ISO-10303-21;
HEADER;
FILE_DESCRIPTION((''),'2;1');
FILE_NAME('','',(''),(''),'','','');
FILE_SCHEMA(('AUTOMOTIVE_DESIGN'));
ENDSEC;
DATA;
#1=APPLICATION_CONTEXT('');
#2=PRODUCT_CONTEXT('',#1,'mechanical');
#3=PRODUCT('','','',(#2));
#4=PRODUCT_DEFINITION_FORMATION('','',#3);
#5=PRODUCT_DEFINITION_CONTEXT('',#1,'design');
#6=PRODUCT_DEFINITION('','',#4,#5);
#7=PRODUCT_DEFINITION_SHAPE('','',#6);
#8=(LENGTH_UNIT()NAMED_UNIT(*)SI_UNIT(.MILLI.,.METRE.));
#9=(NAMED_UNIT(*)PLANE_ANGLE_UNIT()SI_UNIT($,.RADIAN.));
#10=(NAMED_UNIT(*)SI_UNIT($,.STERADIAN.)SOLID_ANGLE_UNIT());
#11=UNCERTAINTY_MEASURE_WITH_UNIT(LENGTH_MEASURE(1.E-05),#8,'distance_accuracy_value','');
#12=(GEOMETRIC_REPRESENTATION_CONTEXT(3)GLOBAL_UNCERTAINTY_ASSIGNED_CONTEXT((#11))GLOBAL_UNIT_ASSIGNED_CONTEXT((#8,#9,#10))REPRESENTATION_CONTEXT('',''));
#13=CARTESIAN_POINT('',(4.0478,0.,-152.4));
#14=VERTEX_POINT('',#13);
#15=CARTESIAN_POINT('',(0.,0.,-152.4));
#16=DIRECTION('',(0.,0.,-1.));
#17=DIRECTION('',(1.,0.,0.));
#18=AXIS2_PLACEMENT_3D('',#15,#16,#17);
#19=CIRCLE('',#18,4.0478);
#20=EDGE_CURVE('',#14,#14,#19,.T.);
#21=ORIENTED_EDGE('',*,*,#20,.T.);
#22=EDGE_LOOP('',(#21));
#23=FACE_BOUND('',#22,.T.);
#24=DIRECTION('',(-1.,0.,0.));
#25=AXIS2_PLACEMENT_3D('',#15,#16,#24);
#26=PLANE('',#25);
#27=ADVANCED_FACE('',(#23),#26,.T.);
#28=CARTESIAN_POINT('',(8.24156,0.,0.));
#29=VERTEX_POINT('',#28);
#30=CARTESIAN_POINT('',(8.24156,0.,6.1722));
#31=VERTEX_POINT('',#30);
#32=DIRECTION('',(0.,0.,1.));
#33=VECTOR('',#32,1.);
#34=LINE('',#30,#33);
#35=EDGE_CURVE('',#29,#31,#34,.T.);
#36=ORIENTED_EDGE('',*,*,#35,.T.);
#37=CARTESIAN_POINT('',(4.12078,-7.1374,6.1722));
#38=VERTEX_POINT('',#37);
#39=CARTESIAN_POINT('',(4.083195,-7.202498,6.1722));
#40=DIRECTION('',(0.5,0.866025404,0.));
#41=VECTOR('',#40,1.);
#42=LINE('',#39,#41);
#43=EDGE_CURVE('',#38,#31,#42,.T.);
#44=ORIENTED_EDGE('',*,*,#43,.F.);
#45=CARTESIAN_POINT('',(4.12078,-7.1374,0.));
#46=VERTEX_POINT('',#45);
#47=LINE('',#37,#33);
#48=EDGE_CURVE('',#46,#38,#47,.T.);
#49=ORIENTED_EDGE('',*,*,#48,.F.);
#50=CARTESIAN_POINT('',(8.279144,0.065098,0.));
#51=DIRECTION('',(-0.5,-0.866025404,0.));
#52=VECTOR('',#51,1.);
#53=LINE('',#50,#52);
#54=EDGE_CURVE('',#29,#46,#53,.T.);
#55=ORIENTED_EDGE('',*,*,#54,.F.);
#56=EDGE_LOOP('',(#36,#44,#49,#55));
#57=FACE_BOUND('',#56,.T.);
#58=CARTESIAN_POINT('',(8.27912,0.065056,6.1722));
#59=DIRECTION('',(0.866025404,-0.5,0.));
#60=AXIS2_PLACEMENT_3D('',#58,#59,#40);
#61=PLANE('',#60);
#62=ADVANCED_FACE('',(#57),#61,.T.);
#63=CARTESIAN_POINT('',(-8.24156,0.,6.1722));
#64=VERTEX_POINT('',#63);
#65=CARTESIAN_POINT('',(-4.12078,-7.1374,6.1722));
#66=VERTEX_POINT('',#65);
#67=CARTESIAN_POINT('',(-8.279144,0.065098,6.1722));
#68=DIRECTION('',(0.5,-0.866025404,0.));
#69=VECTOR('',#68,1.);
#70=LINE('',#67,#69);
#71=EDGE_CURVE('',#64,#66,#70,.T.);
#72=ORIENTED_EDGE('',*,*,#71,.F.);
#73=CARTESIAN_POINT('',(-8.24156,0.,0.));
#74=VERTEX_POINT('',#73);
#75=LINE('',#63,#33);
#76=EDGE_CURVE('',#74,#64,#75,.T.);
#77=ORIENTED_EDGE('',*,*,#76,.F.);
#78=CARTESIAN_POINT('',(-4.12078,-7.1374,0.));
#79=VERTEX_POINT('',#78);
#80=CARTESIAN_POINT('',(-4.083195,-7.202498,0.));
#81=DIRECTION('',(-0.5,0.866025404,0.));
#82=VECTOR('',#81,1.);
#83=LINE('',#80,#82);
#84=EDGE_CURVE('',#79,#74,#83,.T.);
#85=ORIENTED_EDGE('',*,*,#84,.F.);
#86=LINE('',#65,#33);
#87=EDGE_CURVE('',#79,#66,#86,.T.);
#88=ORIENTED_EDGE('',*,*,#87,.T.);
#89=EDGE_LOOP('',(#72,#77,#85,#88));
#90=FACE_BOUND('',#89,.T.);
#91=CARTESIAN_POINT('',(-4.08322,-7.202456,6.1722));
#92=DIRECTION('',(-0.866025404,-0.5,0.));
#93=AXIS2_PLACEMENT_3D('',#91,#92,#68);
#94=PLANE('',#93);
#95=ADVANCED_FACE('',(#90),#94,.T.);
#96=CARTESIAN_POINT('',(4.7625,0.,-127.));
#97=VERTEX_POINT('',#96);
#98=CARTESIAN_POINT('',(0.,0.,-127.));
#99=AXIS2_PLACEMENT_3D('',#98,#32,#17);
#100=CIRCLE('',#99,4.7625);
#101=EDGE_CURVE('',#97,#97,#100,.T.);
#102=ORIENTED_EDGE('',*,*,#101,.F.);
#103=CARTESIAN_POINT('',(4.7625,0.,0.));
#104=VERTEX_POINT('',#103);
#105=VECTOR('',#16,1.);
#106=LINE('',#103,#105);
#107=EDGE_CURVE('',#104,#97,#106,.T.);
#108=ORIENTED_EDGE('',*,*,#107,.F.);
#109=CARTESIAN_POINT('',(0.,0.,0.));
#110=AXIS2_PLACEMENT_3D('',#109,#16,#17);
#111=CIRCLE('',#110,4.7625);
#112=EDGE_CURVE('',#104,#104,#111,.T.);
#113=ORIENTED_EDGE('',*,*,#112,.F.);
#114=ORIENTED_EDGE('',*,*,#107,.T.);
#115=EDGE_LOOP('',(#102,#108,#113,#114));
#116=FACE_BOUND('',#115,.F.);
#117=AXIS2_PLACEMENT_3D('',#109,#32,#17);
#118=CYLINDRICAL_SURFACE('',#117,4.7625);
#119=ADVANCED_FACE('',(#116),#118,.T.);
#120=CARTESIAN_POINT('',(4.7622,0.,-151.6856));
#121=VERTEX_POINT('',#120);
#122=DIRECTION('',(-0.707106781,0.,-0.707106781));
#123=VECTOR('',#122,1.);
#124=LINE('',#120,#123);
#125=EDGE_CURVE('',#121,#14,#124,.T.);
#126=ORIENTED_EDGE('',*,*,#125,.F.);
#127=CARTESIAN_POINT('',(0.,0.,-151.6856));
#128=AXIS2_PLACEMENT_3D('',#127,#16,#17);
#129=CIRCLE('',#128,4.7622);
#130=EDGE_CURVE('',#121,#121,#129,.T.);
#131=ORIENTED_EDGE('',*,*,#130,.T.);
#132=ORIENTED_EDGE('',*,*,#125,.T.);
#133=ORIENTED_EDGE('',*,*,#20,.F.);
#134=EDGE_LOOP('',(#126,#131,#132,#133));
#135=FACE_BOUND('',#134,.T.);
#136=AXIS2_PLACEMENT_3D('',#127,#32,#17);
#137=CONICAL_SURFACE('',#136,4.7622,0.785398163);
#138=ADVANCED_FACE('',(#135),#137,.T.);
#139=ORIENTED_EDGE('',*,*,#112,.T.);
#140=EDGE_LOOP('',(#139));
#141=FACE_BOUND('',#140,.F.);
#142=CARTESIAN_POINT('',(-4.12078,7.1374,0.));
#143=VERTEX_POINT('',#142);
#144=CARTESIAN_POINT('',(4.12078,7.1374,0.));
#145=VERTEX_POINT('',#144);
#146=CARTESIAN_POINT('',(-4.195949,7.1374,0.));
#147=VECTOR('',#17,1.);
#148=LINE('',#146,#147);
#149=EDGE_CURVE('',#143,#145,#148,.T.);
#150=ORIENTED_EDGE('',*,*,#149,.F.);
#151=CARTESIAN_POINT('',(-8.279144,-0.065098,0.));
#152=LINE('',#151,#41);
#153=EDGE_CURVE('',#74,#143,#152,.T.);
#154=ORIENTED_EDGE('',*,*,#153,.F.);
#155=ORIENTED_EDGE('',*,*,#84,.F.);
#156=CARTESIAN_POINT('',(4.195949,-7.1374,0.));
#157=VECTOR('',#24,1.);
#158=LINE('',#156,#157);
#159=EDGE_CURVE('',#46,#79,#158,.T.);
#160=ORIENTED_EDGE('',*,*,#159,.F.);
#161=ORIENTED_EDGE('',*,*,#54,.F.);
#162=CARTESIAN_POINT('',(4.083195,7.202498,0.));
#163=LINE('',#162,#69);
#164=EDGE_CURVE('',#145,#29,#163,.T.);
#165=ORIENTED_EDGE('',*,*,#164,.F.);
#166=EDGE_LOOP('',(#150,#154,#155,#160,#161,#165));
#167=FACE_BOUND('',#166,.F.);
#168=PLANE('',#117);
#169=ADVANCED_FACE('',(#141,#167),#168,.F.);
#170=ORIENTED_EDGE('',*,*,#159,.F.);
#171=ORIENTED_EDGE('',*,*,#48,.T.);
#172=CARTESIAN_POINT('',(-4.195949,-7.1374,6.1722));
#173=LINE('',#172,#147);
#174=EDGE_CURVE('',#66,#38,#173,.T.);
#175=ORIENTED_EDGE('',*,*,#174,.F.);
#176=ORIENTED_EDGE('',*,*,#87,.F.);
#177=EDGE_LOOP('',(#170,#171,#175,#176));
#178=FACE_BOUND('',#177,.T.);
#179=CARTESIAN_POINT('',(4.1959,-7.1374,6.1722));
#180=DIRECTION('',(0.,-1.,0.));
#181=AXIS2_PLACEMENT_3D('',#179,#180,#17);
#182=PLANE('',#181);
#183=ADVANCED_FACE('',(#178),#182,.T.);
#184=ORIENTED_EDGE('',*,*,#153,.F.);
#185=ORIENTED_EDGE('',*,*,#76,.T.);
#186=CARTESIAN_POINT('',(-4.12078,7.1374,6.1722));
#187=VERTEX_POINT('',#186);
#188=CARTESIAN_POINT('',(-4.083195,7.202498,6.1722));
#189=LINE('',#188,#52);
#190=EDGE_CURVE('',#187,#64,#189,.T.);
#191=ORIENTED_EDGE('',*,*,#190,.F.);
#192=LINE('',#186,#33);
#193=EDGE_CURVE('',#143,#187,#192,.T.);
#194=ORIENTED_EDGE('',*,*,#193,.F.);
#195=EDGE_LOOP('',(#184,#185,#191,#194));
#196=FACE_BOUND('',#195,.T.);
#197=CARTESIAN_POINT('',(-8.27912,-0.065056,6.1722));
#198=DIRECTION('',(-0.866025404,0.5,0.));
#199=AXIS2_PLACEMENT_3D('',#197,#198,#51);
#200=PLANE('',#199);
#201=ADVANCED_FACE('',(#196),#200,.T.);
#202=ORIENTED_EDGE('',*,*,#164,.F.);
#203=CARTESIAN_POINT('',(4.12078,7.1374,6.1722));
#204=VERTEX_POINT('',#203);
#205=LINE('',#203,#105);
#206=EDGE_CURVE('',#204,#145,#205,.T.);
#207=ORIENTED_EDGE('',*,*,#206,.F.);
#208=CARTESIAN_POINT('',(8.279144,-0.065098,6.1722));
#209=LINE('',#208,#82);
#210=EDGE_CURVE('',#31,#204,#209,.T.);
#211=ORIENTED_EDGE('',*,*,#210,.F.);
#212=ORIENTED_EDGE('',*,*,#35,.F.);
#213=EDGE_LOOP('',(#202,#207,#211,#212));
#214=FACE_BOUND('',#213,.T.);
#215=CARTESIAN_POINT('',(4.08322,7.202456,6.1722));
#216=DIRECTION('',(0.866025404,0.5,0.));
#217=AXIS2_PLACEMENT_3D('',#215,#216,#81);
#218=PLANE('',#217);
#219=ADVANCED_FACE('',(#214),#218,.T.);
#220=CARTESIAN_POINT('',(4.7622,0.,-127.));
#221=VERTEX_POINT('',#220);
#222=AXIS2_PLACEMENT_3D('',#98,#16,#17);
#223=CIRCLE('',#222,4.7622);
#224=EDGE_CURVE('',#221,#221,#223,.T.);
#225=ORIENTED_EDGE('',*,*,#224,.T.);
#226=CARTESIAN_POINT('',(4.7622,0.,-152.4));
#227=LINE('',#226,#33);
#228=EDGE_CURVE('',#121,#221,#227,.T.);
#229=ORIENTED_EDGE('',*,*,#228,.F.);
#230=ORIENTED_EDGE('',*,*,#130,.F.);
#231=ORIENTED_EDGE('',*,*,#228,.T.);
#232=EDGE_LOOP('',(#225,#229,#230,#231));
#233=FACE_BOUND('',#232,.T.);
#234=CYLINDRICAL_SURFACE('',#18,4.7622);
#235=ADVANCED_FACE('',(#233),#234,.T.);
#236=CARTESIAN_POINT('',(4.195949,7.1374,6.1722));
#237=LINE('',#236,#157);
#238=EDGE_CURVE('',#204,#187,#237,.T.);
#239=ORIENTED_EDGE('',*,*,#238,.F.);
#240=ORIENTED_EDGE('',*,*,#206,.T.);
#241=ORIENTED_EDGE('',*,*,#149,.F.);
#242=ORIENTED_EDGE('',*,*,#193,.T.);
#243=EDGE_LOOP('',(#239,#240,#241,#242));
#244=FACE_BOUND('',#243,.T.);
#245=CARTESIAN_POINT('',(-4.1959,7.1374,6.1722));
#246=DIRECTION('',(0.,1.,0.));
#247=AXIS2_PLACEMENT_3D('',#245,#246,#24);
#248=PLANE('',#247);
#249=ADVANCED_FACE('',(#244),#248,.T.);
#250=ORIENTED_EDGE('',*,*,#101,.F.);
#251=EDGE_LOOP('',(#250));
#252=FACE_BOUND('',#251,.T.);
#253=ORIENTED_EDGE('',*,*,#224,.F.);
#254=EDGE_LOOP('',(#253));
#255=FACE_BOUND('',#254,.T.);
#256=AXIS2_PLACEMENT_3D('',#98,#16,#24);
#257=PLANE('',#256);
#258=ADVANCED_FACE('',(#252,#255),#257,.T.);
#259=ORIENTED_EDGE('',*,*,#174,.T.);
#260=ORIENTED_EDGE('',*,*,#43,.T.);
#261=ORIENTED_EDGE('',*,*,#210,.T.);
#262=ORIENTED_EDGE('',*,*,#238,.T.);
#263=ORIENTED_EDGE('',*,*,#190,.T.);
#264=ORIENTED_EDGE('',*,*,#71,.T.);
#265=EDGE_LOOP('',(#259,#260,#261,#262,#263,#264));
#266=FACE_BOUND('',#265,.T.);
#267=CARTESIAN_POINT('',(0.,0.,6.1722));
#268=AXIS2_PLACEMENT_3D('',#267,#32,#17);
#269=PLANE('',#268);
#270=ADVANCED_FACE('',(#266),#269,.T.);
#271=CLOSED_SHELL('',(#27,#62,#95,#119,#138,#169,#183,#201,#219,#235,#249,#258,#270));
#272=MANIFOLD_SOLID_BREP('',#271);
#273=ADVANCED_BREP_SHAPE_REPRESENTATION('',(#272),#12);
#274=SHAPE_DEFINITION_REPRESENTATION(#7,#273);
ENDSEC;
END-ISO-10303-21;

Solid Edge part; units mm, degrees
sketch "Sketch1" plane through (0, 0, 0) normal (0, 0, 1) x (1, 0, 0)
  circle A0 centre (0, 0) radius 8.2794
  dimension "D1" = 16.5588
extrude "Protrusion1" add sketch "Sketch1" along normal blind 6.1722
sketch "Sketch2" plane through (0, 0, 0) normal (0, 0, -1) x (1, 0, 0)
  circle A0 centre (0, 0) radius 4.7625
extrude "Protrusion2" add sketch "Sketch2" along normal blind 152.4
sketch "Sketch3" plane through (0, 0, -152.4) normal (0, 0, -1) x (1, 0, 0)
  circle A0 centre (0, 0) radius 4.7622
extrude "Cutout1" cut sketch "Sketch3" against normal blind 25.4 flip side to cut
chamfer "Chamfer_1" distance 0.7144 angle 45 1 edges at (-4.7622, 0, -152.4)
sketch "Sketch4" plane through (0, 0, 6.1722) normal (0, 0, 1) x (1, 0, 0)
  line L0 (-4.1959, 7.1374) -> (4.1959, 7.1374)
  dimension "D1" = 14.2748
extrude "Cutout2" cut sketch "Sketch4" against normal up to next material side at (0, 7.1874, 6.1722)
pattern_circular "Pattern1" count 6 over 360 about axis through (0, 0, 6.1722) along (0, 0, 1) of "Cutout2"
properties part number "24101474"
